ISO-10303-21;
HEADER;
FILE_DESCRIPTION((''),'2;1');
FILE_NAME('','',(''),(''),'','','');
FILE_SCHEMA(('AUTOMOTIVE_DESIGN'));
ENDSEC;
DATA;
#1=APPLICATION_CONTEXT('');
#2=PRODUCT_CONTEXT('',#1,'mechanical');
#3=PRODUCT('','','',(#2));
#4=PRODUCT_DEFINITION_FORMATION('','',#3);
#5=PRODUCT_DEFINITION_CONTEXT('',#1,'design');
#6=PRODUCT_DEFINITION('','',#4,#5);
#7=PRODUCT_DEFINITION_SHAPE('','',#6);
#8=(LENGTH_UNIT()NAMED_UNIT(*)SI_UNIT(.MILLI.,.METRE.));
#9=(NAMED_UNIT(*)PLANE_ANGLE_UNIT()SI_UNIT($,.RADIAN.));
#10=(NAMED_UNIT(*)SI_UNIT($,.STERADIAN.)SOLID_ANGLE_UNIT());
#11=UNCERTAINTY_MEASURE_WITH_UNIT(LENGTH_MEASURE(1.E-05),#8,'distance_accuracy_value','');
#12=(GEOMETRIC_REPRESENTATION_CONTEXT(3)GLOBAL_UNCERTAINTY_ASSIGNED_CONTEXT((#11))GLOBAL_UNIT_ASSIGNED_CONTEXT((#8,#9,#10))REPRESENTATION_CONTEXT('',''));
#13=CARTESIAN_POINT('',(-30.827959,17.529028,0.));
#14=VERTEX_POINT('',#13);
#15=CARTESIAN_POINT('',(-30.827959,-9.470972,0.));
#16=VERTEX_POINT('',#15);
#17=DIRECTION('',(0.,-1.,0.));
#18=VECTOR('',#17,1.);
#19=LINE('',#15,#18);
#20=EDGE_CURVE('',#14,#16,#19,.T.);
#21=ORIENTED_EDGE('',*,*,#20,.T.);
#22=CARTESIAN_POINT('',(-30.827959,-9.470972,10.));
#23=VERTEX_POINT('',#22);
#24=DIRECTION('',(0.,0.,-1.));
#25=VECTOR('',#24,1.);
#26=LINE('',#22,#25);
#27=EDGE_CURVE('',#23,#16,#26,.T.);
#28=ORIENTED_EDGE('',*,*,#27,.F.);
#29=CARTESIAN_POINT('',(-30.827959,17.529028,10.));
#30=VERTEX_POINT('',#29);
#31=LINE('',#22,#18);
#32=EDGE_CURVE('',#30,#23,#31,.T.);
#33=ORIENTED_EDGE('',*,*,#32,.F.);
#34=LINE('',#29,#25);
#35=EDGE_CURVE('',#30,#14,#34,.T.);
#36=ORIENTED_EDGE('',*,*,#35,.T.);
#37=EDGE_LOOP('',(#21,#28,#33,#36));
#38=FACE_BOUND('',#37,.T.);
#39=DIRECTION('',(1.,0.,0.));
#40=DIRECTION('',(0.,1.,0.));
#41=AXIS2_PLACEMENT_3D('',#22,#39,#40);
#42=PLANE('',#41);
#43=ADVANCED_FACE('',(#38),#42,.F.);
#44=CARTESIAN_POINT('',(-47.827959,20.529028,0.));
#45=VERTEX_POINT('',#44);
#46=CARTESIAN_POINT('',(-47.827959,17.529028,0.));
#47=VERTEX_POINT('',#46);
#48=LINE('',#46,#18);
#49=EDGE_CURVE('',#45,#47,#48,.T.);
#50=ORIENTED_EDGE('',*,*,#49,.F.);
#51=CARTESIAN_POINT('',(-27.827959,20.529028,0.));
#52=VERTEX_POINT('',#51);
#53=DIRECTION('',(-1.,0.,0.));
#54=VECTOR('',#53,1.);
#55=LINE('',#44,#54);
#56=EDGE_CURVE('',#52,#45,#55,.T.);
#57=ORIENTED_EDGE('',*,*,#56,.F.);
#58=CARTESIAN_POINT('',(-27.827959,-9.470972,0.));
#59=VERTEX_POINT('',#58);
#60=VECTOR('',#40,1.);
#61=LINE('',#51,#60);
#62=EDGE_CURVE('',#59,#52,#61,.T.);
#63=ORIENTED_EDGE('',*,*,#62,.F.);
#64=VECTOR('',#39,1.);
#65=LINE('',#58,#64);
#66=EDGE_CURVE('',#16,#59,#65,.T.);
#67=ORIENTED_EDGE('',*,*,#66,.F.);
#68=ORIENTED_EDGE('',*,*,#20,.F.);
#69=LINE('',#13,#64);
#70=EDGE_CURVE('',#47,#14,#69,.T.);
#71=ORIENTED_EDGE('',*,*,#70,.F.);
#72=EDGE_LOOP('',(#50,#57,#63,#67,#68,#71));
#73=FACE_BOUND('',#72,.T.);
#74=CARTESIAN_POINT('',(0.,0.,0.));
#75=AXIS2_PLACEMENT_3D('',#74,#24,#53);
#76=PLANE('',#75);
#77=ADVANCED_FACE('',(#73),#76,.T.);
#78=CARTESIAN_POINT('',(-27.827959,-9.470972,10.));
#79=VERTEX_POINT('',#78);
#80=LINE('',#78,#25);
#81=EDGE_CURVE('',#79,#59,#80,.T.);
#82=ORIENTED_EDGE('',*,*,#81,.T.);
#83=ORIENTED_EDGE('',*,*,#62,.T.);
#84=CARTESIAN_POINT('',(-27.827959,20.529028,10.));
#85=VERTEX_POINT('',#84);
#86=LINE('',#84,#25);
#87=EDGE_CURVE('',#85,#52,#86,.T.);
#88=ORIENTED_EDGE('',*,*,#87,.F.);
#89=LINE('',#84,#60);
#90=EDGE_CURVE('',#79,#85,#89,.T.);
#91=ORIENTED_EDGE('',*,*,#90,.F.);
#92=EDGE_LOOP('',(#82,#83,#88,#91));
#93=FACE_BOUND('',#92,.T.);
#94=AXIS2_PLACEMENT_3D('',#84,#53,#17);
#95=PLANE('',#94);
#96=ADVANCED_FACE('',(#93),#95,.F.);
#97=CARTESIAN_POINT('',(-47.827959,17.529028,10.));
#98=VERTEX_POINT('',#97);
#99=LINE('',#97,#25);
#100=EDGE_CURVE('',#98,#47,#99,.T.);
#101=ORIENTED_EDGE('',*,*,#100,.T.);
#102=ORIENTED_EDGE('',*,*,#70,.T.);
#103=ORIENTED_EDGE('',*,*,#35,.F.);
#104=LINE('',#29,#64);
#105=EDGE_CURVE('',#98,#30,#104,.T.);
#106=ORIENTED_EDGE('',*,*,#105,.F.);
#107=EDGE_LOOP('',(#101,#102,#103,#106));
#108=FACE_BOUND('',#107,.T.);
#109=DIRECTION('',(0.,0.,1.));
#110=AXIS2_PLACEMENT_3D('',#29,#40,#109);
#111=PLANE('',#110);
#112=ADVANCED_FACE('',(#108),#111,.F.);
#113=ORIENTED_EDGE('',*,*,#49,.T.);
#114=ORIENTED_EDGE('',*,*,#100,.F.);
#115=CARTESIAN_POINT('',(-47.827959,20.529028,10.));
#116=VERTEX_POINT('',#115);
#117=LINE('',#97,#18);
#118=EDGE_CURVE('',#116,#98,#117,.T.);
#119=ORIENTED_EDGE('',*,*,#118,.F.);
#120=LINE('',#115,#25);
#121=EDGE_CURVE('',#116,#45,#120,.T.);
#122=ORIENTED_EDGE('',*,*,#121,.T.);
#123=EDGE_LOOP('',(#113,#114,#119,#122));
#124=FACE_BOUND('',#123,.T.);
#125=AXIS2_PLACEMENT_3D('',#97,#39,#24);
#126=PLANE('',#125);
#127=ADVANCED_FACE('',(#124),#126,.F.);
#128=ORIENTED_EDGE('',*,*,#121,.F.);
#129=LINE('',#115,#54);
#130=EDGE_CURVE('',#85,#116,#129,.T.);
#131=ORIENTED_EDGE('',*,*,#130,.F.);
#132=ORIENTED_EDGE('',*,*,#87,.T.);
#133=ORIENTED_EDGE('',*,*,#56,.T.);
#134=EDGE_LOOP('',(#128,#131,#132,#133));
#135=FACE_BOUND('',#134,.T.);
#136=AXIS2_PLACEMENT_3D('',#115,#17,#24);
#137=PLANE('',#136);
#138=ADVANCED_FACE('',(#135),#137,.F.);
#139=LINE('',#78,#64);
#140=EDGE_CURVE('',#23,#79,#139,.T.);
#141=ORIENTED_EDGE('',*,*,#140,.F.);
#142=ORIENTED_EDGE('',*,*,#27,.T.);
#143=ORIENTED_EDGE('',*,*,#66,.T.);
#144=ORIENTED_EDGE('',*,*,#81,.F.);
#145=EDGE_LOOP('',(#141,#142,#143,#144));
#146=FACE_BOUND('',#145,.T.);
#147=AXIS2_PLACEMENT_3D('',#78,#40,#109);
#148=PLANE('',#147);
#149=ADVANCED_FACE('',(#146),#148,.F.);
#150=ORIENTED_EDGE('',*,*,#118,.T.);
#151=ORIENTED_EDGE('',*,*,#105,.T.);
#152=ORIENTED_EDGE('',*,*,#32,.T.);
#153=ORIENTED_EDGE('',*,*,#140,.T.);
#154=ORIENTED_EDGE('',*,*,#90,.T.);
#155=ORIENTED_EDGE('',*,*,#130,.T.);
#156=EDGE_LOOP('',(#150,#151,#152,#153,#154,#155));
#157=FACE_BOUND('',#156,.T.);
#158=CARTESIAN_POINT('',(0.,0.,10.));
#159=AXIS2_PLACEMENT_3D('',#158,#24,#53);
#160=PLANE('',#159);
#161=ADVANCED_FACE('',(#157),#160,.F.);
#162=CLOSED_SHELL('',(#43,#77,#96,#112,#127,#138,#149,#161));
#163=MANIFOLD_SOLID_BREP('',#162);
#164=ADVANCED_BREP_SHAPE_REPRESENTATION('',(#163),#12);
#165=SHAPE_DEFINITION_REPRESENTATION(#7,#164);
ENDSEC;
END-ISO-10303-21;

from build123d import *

# Parameters (mm, degrees)
EXTRUDE_1_DEPTH = 10


with BuildPart() as part:
    # 草图1 → 凸台-拉伸1 (new body)
    with BuildSketch(Plane.XY):
        Polygon((-47.827959467, 20.529028062), (-27.827959467, 20.529028062), (-27.827959467, -9.470971938), (-30.827959467, -9.470971938), (-30.827959467, 17.529028062), (-47.827959467, 17.529028062), align=None)
    extrude(amount=EXTRUDE_1_DEPTH)


solid = part.part
